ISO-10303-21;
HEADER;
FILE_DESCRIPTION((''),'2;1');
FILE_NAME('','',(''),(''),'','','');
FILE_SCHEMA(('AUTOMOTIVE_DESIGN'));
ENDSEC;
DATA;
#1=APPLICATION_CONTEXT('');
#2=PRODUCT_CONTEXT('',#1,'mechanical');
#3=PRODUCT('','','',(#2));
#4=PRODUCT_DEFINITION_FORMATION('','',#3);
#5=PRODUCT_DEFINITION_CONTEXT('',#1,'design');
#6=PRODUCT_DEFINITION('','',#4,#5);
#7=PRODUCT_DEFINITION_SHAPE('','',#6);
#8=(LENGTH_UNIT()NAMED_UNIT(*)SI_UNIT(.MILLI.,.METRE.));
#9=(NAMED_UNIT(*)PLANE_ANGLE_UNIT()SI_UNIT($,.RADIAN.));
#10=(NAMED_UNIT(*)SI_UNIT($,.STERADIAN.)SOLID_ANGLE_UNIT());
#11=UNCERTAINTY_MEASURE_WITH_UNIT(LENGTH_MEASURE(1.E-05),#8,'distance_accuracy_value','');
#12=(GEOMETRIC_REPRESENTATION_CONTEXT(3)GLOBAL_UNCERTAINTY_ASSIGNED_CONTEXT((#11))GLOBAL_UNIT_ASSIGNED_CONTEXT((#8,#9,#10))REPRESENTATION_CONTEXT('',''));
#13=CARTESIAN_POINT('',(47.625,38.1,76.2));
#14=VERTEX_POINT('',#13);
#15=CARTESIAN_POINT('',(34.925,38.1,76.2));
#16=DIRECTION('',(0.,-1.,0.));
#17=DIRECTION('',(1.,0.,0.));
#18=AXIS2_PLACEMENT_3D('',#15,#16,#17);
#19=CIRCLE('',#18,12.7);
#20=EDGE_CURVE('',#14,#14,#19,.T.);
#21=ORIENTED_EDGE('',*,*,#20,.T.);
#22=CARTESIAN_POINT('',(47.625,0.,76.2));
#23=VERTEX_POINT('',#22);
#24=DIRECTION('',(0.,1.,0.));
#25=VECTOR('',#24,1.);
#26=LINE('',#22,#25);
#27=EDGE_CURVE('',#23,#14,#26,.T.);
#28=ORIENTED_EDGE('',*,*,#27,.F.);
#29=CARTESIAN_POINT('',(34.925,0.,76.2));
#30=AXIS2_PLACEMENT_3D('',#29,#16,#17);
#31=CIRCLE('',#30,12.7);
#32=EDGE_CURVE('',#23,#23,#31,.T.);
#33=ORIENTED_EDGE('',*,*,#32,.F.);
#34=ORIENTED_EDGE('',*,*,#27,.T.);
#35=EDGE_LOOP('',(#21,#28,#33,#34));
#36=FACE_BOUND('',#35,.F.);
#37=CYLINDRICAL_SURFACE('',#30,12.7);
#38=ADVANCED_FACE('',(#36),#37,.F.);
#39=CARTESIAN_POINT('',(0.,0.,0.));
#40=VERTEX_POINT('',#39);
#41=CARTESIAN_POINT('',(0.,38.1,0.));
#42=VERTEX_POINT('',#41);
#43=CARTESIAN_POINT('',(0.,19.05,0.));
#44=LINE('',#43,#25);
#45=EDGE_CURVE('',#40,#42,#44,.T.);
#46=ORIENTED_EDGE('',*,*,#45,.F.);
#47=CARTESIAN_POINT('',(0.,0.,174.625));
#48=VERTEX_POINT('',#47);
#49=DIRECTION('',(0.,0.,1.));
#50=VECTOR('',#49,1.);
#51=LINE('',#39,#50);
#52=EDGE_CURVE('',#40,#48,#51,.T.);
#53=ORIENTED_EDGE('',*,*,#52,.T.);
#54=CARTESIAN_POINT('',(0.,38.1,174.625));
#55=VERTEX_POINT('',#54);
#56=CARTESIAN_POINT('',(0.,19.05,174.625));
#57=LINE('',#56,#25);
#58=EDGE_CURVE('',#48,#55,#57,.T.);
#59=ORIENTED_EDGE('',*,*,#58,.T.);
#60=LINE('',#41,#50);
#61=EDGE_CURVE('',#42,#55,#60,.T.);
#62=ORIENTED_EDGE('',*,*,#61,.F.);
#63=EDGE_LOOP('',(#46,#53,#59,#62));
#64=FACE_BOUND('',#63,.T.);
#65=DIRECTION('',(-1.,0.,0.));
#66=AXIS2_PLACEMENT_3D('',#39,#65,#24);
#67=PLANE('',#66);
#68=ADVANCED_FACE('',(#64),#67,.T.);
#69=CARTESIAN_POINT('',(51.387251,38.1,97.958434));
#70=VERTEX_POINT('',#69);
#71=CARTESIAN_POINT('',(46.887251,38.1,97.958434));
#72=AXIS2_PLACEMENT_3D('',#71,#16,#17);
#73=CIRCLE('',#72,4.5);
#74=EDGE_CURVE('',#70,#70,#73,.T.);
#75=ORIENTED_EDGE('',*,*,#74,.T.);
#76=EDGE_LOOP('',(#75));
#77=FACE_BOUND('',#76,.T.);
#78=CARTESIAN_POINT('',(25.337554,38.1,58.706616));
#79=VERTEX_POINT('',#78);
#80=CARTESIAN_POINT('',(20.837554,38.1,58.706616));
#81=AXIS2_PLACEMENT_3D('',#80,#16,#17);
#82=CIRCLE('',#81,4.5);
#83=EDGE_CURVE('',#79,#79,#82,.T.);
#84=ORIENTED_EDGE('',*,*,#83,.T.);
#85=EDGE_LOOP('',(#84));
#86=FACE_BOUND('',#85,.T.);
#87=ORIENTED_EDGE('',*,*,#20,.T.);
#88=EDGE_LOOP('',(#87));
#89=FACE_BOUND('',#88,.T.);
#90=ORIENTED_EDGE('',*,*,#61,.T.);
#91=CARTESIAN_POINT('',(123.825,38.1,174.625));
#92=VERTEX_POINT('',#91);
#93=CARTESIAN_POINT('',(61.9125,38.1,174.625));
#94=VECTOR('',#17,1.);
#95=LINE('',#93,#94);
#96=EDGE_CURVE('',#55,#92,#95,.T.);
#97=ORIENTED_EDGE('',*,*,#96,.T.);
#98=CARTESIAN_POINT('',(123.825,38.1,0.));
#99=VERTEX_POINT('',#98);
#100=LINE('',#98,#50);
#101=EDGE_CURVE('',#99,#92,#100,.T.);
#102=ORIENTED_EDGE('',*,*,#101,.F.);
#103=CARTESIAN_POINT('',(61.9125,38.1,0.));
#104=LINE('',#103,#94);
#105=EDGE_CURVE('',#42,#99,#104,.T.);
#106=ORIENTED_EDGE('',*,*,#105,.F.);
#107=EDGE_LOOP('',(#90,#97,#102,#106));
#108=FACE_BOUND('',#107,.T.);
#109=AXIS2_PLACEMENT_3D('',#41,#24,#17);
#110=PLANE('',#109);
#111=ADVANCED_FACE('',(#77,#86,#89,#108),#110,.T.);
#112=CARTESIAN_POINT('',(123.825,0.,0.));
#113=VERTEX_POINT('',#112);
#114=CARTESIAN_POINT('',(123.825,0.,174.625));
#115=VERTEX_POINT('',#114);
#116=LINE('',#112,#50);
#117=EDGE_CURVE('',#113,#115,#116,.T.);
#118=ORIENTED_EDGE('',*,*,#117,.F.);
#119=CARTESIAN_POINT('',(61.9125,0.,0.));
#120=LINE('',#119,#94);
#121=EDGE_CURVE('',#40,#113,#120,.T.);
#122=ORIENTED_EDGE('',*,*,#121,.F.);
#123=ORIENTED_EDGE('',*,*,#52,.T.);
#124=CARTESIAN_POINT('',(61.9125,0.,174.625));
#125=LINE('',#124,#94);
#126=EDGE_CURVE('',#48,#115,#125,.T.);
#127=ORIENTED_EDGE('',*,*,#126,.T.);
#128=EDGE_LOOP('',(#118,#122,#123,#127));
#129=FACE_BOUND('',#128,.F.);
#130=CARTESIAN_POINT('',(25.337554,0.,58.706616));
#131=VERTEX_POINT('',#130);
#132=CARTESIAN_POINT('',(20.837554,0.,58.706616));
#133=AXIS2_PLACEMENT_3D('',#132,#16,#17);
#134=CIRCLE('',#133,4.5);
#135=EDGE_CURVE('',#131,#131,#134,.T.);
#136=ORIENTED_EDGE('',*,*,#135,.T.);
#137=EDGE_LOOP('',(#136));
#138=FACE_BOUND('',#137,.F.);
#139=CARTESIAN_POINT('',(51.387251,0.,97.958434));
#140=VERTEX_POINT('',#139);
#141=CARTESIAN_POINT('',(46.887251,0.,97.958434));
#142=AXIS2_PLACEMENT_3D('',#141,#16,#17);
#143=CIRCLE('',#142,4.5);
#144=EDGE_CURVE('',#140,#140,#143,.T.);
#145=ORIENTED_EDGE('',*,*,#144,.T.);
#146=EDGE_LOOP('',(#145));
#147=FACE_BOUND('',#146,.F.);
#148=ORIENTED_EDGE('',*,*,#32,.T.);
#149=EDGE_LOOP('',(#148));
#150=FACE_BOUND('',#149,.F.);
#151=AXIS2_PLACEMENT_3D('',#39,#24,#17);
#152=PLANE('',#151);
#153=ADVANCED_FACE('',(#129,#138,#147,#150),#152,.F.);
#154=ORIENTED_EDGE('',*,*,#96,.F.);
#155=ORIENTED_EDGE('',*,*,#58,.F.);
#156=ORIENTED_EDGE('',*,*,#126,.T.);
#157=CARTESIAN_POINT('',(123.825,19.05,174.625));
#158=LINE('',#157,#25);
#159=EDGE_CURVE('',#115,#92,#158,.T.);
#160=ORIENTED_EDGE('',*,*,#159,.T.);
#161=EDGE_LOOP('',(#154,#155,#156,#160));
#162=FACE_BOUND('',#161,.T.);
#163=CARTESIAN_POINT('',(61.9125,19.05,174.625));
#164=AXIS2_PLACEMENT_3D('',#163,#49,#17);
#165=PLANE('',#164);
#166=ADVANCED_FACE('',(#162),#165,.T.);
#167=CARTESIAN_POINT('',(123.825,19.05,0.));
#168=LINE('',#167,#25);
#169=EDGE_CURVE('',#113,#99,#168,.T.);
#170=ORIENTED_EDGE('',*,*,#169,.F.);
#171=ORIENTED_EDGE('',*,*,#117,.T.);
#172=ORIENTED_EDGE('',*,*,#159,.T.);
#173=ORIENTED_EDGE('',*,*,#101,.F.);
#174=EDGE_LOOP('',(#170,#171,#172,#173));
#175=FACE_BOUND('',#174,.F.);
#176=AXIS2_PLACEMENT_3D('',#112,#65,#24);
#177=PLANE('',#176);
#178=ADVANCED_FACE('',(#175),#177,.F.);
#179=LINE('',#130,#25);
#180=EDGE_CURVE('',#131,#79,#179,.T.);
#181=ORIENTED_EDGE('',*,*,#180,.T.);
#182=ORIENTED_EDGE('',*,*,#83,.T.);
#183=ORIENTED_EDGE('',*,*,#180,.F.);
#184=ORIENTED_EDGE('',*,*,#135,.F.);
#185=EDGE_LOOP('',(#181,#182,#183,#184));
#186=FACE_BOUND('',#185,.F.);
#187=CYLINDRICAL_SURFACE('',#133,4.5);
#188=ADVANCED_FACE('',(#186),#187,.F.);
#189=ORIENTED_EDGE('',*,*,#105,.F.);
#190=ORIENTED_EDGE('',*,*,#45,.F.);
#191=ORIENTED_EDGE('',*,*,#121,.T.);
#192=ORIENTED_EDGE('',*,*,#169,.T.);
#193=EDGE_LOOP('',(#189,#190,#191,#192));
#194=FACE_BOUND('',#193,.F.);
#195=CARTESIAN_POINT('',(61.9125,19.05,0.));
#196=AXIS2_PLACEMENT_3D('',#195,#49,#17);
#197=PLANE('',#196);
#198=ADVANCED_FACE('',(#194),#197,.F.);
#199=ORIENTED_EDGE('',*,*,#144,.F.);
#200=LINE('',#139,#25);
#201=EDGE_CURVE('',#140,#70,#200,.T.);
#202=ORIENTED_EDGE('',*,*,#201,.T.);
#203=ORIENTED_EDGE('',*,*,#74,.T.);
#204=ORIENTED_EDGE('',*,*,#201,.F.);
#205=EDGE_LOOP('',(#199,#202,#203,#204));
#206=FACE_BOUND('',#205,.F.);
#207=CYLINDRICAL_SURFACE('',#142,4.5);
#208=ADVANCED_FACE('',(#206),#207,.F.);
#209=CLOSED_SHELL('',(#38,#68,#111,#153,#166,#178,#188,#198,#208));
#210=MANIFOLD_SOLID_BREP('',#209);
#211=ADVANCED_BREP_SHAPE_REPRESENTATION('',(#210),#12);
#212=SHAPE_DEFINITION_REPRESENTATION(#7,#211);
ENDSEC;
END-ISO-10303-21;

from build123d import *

# Parameters (mm, degrees)
F0_W     = 123.825
F0_H     = 38.1
F1_DEPTH = 174.625
F2_R     = 12.7
F3_R     = 4.5
F4_DEPTH = 38.101


with BuildPart() as f1:
    # F0 (on Top) → F1 (new body)
    with BuildSketch(Plane.XY):
        with Locations((61.9125, 19.05)):
            Rectangle(F0_W, F0_H)
    extrude(amount=F1_DEPTH)

    # F2 (on face) + F3 (on face) → F4 (cut, through all)
    with BuildSketch(Plane.XZ):
        with Locations((34.925, 76.2)):
            Circle(F2_R)
    with BuildSketch(Plane.XZ):
        with Locations((46.887251, 97.958434)):
            Circle(F3_R)
        with Locations((20.837554, 58.706616)):
            Circle(F3_R)
    extrude(amount=-F4_DEPTH, mode=Mode.SUBTRACT)


solid = f1.part
